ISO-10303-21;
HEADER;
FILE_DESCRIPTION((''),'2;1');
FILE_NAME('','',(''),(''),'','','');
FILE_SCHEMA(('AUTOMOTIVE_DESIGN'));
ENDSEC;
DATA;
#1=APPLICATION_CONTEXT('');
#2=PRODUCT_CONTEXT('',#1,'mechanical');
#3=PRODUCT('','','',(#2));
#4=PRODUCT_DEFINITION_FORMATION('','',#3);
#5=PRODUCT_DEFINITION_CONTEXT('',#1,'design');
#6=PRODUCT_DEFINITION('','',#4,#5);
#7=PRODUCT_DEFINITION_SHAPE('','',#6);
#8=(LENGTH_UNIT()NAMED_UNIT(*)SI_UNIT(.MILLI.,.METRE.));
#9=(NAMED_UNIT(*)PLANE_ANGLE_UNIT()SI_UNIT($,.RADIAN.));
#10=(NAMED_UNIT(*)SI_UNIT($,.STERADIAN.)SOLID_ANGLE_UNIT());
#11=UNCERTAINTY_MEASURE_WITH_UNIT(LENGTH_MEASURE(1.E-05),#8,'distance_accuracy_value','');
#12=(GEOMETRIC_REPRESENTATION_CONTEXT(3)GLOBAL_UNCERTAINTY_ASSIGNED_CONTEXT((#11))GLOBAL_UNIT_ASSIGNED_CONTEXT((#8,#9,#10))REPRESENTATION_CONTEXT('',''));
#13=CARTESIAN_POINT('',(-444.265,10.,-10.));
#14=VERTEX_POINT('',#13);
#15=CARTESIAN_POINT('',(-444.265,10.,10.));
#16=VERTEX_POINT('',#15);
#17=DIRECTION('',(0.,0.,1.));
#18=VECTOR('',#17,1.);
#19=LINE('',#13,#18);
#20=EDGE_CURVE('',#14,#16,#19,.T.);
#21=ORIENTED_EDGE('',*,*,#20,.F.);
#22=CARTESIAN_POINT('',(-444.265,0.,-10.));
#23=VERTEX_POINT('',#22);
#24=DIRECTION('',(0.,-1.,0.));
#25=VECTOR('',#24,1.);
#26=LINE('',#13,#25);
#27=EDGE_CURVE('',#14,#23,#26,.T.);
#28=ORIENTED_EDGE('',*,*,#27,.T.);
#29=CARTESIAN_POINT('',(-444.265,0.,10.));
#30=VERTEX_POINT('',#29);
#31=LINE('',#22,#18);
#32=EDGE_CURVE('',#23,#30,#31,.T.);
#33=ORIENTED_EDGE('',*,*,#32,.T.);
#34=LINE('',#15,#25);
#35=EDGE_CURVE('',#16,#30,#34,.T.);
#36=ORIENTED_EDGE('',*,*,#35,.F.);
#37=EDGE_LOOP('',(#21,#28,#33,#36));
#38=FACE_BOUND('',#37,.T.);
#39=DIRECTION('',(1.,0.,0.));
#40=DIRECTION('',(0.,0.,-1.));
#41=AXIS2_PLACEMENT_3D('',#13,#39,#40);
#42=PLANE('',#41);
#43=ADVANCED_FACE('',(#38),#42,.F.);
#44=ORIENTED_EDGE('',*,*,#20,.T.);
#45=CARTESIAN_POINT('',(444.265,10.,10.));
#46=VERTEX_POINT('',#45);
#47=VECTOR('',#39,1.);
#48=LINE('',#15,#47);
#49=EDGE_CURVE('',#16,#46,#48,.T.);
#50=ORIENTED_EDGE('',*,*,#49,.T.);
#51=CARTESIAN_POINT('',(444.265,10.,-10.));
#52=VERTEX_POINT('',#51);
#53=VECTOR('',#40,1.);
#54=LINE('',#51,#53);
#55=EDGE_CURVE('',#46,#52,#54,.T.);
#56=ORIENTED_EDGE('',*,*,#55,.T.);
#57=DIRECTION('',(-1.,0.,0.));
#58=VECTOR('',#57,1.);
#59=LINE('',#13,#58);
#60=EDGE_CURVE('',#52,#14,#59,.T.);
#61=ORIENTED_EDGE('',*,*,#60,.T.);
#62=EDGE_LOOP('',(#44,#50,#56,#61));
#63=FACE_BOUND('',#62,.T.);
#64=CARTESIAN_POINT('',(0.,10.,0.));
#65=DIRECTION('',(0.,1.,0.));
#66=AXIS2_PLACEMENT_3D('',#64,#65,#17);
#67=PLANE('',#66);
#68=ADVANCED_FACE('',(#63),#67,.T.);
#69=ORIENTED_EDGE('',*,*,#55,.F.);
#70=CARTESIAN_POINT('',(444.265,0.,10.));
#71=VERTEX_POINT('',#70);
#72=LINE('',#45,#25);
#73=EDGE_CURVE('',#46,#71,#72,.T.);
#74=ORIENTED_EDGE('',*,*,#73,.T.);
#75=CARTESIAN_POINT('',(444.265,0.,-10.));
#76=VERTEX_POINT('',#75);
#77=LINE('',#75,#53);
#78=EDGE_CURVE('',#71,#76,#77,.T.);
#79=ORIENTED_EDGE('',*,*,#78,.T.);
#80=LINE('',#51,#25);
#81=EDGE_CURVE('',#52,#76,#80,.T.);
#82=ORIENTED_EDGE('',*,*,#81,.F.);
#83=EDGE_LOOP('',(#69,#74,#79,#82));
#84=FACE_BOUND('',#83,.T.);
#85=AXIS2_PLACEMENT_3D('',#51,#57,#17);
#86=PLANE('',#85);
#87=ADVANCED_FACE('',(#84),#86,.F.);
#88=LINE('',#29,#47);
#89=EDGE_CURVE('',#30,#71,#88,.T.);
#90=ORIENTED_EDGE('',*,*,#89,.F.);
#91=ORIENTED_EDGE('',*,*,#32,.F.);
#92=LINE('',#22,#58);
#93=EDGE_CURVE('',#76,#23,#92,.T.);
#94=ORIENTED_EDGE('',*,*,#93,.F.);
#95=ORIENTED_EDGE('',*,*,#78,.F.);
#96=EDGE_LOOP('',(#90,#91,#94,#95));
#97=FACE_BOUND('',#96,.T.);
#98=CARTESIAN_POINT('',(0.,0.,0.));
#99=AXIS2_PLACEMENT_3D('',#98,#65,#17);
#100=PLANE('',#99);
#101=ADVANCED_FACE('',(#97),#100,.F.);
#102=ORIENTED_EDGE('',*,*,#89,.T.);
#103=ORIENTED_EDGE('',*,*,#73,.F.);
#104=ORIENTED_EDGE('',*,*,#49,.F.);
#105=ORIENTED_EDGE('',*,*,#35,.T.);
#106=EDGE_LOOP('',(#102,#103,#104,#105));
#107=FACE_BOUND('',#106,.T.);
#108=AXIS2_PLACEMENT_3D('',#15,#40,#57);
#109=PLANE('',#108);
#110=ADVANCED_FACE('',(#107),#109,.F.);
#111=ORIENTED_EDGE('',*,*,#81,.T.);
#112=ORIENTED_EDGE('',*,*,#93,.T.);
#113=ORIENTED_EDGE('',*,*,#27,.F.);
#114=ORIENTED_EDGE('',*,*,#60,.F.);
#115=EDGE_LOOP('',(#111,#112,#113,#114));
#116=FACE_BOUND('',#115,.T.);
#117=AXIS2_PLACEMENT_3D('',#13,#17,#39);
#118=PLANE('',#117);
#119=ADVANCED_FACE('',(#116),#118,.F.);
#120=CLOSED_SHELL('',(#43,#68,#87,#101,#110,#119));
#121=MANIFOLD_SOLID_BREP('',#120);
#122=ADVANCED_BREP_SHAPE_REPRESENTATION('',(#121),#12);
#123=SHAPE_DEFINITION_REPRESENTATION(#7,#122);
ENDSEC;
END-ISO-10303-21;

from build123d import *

# Parameters (mm, degrees)
SKETCH1_W           = 888.53
SKETCH1_H           = 20
BOSS_EXTRUDE1_DEPTH = 10


with BuildPart() as part:
    # Sketch1 → Boss-Extrude1 (new body)
    with BuildSketch(Plane(origin=(0, 0, 0), x_dir=(1, 0, 0), z_dir=(0, 1, 0))):
        Rectangle(SKETCH1_W, SKETCH1_H)
    extrude(amount=BOSS_EXTRUDE1_DEPTH)


solid = part.part
